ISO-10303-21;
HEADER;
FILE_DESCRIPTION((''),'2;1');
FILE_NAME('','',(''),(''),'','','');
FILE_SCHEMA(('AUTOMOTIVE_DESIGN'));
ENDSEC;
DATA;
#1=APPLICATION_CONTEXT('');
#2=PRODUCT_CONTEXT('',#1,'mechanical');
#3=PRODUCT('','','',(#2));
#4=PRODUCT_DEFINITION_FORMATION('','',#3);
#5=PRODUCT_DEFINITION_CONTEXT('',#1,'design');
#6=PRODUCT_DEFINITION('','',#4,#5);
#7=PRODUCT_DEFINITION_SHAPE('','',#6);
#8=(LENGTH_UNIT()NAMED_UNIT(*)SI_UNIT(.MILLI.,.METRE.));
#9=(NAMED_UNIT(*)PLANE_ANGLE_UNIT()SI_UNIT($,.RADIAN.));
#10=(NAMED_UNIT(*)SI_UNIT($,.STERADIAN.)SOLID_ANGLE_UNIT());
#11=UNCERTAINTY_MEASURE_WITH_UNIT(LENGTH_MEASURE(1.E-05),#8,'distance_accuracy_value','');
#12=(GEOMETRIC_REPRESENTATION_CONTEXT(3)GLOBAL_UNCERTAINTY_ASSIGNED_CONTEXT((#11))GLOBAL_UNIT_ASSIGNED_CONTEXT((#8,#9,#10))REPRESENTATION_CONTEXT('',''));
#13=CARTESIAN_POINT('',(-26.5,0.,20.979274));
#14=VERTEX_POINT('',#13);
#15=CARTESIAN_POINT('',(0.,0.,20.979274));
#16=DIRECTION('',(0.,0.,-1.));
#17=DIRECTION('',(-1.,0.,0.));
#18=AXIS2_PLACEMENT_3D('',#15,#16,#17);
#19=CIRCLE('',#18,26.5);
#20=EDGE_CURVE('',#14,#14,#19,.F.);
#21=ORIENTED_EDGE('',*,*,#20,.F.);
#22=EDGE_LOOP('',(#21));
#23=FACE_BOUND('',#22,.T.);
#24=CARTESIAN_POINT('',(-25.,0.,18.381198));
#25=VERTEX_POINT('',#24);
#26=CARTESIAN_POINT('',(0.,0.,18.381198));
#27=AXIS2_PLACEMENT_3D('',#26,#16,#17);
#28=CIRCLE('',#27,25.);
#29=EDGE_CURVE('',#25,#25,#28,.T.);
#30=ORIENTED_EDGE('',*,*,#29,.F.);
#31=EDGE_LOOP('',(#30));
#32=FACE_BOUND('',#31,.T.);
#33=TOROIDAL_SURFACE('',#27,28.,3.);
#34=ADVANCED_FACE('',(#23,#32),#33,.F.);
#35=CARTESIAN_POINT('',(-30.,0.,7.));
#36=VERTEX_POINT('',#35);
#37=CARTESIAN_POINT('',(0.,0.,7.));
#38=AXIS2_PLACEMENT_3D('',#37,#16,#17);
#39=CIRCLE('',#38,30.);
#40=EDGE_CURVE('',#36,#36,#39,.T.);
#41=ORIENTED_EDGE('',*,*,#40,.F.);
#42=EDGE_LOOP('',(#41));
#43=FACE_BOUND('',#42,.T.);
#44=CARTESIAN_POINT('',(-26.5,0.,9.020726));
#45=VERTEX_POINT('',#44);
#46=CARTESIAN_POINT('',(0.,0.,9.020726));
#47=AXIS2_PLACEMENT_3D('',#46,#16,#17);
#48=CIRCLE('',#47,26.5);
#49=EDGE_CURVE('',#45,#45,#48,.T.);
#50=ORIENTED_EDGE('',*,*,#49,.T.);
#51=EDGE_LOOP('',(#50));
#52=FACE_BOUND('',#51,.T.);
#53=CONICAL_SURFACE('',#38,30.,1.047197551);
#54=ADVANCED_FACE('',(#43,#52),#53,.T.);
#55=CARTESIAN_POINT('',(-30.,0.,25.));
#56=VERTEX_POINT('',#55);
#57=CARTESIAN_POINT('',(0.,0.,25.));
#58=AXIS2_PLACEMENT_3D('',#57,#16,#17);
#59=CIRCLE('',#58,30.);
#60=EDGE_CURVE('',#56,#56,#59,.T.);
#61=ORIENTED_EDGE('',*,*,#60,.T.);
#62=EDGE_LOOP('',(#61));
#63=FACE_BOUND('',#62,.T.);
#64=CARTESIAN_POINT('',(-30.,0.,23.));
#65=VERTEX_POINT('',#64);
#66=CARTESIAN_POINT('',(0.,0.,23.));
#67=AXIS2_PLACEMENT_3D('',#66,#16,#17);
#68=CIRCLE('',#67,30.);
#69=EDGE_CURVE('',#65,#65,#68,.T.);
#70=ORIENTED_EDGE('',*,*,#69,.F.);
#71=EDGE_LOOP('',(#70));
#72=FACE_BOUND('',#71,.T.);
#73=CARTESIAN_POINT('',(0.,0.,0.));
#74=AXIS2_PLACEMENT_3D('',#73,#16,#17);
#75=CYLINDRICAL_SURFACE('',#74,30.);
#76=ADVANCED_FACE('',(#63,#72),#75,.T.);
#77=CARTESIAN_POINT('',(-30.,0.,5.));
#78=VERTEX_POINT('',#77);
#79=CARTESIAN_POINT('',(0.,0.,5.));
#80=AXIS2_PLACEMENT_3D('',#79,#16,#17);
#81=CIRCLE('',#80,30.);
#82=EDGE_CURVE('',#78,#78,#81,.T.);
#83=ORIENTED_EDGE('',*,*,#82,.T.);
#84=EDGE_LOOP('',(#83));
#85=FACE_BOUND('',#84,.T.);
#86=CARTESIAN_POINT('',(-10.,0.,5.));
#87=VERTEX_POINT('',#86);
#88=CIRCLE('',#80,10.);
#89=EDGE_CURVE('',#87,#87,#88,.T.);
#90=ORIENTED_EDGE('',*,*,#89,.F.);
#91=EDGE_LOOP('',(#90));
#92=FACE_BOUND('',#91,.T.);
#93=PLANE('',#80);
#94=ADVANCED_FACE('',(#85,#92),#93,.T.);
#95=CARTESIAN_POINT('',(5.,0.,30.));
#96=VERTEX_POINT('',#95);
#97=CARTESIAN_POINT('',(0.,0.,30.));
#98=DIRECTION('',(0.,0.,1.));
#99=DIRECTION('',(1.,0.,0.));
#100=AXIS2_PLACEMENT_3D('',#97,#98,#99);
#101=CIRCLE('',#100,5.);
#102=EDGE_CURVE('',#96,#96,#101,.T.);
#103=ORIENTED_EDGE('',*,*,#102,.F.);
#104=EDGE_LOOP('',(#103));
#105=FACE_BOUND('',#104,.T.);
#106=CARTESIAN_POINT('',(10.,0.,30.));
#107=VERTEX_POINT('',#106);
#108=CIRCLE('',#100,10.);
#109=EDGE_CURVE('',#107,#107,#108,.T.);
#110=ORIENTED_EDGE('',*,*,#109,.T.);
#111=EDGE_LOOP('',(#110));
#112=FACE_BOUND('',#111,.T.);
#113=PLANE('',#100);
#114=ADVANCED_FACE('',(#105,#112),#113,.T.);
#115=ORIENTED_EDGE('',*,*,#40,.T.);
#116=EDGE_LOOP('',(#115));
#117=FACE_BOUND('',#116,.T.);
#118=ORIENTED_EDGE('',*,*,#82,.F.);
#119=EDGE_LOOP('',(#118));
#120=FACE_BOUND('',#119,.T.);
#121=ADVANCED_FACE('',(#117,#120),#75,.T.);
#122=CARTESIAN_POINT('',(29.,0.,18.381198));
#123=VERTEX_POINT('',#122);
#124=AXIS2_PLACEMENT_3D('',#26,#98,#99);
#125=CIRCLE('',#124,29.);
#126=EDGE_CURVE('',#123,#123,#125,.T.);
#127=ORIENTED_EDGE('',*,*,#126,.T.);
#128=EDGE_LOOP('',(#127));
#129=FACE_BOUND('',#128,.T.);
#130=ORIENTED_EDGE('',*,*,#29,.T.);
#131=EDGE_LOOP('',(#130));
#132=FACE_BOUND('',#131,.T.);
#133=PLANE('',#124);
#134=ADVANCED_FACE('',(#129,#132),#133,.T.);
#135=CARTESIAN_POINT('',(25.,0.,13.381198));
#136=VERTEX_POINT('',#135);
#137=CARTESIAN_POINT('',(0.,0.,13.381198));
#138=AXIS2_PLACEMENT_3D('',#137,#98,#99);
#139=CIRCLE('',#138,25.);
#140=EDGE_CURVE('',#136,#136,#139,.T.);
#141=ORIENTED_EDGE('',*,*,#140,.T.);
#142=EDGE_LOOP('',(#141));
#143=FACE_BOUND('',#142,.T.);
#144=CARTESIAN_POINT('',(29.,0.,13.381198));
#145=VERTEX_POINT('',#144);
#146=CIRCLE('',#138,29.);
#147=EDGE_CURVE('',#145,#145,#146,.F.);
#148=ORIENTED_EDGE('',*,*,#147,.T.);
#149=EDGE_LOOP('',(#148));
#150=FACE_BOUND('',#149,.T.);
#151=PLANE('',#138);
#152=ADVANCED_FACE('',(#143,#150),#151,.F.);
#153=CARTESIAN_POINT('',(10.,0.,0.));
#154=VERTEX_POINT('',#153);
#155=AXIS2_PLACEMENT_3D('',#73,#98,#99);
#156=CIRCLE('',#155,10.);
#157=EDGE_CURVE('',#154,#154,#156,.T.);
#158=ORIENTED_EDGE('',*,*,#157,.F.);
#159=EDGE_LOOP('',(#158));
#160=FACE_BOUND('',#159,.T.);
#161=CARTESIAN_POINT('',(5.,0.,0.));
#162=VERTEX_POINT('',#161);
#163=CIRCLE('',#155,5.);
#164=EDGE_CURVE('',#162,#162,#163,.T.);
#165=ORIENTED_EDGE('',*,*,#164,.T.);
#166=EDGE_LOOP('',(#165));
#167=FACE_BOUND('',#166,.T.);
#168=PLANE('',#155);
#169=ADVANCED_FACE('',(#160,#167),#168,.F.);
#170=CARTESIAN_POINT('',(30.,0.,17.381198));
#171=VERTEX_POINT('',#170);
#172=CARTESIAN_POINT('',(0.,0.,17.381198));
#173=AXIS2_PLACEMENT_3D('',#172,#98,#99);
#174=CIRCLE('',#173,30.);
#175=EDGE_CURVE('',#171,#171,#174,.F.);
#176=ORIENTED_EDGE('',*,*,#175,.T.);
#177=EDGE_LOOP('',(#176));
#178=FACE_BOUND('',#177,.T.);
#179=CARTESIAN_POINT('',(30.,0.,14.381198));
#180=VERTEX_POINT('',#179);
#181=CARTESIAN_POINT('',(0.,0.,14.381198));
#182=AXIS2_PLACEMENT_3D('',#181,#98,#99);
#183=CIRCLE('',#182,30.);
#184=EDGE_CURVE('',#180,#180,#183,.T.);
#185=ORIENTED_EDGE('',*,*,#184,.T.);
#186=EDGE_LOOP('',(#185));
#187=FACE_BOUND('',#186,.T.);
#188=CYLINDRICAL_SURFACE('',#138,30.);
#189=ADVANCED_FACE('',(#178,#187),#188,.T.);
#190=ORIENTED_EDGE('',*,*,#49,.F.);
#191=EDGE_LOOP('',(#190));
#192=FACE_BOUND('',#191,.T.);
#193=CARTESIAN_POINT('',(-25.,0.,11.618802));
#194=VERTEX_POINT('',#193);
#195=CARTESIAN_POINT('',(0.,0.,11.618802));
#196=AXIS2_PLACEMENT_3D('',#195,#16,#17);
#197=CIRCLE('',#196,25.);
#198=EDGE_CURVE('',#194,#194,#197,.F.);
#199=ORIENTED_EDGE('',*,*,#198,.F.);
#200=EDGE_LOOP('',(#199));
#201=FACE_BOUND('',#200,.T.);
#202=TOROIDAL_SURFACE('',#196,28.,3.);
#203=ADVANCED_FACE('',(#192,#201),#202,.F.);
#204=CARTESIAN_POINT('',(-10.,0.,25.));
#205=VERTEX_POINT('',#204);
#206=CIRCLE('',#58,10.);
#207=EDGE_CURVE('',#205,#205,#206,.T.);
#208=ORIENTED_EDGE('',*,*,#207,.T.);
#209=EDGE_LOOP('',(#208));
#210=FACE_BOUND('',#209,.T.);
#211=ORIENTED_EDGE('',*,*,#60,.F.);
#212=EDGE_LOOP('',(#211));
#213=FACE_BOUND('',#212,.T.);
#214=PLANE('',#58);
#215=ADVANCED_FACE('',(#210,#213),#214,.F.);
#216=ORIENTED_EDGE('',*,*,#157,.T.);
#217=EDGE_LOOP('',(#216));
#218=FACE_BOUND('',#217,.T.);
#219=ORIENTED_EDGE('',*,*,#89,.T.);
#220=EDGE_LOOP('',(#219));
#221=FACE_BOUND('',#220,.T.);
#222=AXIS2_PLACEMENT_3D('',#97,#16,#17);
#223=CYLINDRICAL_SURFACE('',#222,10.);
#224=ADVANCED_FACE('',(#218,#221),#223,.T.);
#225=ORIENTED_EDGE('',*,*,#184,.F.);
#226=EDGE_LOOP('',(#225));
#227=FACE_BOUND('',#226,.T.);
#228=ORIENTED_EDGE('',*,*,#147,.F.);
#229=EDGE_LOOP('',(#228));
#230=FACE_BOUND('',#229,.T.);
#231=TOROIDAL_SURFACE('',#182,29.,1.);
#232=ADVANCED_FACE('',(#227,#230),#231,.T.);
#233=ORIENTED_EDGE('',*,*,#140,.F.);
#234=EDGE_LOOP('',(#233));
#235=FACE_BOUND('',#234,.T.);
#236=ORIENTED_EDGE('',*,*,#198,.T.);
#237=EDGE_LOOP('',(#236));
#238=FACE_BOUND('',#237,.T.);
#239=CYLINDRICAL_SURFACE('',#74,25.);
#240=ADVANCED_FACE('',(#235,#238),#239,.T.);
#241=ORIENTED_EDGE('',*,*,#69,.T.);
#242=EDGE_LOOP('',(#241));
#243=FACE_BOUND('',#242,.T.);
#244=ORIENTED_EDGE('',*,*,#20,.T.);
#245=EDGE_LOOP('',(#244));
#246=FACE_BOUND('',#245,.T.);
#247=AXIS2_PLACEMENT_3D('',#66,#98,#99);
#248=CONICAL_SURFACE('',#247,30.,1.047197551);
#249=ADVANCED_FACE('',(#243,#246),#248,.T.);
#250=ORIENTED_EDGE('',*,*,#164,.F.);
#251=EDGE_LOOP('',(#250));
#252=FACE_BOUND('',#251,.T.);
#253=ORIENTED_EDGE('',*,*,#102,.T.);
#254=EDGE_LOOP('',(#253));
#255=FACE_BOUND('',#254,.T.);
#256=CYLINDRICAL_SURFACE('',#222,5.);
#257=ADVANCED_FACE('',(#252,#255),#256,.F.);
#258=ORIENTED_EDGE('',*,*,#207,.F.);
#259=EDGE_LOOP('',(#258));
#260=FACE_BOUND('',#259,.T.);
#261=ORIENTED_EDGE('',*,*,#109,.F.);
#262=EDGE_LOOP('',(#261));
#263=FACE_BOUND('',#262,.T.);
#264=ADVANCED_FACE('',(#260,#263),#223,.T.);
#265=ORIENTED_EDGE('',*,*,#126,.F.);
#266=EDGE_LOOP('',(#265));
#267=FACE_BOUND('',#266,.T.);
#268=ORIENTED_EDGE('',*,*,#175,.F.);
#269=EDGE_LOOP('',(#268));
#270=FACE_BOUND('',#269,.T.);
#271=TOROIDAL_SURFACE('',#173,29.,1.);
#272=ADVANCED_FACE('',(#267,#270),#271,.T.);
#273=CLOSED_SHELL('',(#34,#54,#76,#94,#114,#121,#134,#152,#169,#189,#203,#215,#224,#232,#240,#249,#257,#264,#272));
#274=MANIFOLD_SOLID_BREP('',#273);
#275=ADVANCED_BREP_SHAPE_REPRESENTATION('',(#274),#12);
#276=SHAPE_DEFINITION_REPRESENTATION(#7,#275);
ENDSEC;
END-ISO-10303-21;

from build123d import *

# Parameters (mm, degrees)
SKETCH1_R           = 10
SKETCH1_R_2         = 5
BOSS_EXTRUDE1_DEPTH = 30
FILLET1_R           = 3
BOSS_EXTRUDE2_START = -5
SKETCH5_R           = 30
SKETCH5_R_2         = 25
BOSS_EXTRUDE2_DEPTH = 5
FILLET2_R           = 1


with BuildPart() as part:
    # Sketch1 → Boss-Extrude1 (new body)
    with BuildSketch(Plane.XY):
        Circle(SKETCH1_R)
        Circle(SKETCH1_R_2, mode=Mode.SUBTRACT)
    extrude(amount=BOSS_EXTRUDE1_DEPTH)

    # Sketch4 → Revolve1 (revolve)
    with BuildSketch(Plane(origin=(0, 0, 0), x_dir=(1, 0, 0), z_dir=(0, 1, 0))):
        Polygon((30, -5), (10, -5), (10, -25), (30, -25), (30, -23), (25, -20.113248654), (25, -9.886751346), (30, -7), align=None)
    revolve(axis=Axis((0, 0, 0), (0, 0, 1)))

    # Fillet1
    fillet1_edges = [part.edges().sort_by_distance(p)[0] for p in [
        (-25, 0, 20.113248654),
        (-25, 0, 9.886751346),
    ]]
    fillet(fillet1_edges, radius=FILLET1_R)

    # Sketch5 → Boss-Extrude2 (add)
    with BuildSketch(Plane.XY.offset(18.381197846).offset(BOSS_EXTRUDE2_START)):
        Circle(SKETCH5_R)
        Circle(SKETCH5_R_2, mode=Mode.SUBTRACT)
    extrude(amount=BOSS_EXTRUDE2_DEPTH)

    # Fillet2
    fillet2_edges = [part.edges().sort_by_distance(p)[0] for p in [
        (-30, 0, 18.381197846),
        (-30, 0, 13.381197846),
    ]]
    fillet(fillet2_edges, radius=FILLET2_R)


solid = part.part
